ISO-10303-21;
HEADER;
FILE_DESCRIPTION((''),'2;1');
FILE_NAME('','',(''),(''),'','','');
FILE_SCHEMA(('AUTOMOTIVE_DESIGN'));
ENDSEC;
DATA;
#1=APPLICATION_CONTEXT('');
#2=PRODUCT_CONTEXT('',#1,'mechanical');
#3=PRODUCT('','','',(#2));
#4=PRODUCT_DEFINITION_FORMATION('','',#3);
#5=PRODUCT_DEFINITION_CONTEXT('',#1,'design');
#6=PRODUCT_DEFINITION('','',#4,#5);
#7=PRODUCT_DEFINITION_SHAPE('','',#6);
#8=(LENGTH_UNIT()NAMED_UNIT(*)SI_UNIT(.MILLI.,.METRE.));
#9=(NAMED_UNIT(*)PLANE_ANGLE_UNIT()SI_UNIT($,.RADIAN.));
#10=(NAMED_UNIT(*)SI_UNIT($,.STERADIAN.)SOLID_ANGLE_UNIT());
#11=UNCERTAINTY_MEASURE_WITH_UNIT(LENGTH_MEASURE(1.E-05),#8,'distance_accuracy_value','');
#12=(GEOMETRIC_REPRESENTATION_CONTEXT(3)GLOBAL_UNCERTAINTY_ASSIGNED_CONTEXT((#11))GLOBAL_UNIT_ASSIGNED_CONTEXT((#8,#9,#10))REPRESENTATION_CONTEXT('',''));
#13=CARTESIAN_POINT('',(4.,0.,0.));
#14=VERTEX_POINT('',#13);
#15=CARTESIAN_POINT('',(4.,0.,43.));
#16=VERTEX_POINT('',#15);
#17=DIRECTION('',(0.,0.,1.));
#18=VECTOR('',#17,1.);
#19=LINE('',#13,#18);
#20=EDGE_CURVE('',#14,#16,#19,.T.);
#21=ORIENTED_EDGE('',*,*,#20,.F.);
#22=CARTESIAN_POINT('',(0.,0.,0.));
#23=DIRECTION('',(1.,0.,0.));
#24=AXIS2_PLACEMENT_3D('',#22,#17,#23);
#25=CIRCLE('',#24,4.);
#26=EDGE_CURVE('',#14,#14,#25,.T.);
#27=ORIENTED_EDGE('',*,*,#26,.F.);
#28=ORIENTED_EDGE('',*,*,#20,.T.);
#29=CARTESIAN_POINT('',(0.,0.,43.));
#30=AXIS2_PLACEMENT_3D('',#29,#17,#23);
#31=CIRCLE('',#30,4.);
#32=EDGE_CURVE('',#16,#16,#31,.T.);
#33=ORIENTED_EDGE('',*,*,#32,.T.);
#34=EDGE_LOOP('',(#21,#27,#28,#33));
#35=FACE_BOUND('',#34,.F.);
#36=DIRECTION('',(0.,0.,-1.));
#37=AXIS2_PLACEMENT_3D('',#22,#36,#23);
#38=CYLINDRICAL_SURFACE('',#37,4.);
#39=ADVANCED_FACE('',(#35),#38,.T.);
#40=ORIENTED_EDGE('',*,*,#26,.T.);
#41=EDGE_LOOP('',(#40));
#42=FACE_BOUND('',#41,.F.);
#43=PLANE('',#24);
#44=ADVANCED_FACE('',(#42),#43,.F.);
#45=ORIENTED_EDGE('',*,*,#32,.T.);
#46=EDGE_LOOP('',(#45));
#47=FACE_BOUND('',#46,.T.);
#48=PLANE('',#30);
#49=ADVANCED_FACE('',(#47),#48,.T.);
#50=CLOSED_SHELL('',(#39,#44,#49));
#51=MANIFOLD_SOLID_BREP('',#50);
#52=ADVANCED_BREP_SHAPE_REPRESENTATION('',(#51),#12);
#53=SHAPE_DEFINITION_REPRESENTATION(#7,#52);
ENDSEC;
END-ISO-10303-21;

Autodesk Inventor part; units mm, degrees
ref_plane "YZ Plane" through (0, 0, 0) normal (1, 0, 0) x (0, 1, 0)
ref_plane "XZ Plane" through (0, 0, 0) normal (0, 1, 0) x (-1, 0, 0)
ref_plane "XY Plane" through (0, 0, 0) normal (0, 0, 1) x (1, 0, 0)
sketch "Sketch1" plane through (0, 0, 0) normal (0, 0, 1) x (1, 0, 0)
  circle A0 centre (0, 0) radius 4 projected
  dimension "d0" = 43
extrude "Extrusion1" add sketch "Sketch1" along normal blind 43
properties part number "Eje8"
